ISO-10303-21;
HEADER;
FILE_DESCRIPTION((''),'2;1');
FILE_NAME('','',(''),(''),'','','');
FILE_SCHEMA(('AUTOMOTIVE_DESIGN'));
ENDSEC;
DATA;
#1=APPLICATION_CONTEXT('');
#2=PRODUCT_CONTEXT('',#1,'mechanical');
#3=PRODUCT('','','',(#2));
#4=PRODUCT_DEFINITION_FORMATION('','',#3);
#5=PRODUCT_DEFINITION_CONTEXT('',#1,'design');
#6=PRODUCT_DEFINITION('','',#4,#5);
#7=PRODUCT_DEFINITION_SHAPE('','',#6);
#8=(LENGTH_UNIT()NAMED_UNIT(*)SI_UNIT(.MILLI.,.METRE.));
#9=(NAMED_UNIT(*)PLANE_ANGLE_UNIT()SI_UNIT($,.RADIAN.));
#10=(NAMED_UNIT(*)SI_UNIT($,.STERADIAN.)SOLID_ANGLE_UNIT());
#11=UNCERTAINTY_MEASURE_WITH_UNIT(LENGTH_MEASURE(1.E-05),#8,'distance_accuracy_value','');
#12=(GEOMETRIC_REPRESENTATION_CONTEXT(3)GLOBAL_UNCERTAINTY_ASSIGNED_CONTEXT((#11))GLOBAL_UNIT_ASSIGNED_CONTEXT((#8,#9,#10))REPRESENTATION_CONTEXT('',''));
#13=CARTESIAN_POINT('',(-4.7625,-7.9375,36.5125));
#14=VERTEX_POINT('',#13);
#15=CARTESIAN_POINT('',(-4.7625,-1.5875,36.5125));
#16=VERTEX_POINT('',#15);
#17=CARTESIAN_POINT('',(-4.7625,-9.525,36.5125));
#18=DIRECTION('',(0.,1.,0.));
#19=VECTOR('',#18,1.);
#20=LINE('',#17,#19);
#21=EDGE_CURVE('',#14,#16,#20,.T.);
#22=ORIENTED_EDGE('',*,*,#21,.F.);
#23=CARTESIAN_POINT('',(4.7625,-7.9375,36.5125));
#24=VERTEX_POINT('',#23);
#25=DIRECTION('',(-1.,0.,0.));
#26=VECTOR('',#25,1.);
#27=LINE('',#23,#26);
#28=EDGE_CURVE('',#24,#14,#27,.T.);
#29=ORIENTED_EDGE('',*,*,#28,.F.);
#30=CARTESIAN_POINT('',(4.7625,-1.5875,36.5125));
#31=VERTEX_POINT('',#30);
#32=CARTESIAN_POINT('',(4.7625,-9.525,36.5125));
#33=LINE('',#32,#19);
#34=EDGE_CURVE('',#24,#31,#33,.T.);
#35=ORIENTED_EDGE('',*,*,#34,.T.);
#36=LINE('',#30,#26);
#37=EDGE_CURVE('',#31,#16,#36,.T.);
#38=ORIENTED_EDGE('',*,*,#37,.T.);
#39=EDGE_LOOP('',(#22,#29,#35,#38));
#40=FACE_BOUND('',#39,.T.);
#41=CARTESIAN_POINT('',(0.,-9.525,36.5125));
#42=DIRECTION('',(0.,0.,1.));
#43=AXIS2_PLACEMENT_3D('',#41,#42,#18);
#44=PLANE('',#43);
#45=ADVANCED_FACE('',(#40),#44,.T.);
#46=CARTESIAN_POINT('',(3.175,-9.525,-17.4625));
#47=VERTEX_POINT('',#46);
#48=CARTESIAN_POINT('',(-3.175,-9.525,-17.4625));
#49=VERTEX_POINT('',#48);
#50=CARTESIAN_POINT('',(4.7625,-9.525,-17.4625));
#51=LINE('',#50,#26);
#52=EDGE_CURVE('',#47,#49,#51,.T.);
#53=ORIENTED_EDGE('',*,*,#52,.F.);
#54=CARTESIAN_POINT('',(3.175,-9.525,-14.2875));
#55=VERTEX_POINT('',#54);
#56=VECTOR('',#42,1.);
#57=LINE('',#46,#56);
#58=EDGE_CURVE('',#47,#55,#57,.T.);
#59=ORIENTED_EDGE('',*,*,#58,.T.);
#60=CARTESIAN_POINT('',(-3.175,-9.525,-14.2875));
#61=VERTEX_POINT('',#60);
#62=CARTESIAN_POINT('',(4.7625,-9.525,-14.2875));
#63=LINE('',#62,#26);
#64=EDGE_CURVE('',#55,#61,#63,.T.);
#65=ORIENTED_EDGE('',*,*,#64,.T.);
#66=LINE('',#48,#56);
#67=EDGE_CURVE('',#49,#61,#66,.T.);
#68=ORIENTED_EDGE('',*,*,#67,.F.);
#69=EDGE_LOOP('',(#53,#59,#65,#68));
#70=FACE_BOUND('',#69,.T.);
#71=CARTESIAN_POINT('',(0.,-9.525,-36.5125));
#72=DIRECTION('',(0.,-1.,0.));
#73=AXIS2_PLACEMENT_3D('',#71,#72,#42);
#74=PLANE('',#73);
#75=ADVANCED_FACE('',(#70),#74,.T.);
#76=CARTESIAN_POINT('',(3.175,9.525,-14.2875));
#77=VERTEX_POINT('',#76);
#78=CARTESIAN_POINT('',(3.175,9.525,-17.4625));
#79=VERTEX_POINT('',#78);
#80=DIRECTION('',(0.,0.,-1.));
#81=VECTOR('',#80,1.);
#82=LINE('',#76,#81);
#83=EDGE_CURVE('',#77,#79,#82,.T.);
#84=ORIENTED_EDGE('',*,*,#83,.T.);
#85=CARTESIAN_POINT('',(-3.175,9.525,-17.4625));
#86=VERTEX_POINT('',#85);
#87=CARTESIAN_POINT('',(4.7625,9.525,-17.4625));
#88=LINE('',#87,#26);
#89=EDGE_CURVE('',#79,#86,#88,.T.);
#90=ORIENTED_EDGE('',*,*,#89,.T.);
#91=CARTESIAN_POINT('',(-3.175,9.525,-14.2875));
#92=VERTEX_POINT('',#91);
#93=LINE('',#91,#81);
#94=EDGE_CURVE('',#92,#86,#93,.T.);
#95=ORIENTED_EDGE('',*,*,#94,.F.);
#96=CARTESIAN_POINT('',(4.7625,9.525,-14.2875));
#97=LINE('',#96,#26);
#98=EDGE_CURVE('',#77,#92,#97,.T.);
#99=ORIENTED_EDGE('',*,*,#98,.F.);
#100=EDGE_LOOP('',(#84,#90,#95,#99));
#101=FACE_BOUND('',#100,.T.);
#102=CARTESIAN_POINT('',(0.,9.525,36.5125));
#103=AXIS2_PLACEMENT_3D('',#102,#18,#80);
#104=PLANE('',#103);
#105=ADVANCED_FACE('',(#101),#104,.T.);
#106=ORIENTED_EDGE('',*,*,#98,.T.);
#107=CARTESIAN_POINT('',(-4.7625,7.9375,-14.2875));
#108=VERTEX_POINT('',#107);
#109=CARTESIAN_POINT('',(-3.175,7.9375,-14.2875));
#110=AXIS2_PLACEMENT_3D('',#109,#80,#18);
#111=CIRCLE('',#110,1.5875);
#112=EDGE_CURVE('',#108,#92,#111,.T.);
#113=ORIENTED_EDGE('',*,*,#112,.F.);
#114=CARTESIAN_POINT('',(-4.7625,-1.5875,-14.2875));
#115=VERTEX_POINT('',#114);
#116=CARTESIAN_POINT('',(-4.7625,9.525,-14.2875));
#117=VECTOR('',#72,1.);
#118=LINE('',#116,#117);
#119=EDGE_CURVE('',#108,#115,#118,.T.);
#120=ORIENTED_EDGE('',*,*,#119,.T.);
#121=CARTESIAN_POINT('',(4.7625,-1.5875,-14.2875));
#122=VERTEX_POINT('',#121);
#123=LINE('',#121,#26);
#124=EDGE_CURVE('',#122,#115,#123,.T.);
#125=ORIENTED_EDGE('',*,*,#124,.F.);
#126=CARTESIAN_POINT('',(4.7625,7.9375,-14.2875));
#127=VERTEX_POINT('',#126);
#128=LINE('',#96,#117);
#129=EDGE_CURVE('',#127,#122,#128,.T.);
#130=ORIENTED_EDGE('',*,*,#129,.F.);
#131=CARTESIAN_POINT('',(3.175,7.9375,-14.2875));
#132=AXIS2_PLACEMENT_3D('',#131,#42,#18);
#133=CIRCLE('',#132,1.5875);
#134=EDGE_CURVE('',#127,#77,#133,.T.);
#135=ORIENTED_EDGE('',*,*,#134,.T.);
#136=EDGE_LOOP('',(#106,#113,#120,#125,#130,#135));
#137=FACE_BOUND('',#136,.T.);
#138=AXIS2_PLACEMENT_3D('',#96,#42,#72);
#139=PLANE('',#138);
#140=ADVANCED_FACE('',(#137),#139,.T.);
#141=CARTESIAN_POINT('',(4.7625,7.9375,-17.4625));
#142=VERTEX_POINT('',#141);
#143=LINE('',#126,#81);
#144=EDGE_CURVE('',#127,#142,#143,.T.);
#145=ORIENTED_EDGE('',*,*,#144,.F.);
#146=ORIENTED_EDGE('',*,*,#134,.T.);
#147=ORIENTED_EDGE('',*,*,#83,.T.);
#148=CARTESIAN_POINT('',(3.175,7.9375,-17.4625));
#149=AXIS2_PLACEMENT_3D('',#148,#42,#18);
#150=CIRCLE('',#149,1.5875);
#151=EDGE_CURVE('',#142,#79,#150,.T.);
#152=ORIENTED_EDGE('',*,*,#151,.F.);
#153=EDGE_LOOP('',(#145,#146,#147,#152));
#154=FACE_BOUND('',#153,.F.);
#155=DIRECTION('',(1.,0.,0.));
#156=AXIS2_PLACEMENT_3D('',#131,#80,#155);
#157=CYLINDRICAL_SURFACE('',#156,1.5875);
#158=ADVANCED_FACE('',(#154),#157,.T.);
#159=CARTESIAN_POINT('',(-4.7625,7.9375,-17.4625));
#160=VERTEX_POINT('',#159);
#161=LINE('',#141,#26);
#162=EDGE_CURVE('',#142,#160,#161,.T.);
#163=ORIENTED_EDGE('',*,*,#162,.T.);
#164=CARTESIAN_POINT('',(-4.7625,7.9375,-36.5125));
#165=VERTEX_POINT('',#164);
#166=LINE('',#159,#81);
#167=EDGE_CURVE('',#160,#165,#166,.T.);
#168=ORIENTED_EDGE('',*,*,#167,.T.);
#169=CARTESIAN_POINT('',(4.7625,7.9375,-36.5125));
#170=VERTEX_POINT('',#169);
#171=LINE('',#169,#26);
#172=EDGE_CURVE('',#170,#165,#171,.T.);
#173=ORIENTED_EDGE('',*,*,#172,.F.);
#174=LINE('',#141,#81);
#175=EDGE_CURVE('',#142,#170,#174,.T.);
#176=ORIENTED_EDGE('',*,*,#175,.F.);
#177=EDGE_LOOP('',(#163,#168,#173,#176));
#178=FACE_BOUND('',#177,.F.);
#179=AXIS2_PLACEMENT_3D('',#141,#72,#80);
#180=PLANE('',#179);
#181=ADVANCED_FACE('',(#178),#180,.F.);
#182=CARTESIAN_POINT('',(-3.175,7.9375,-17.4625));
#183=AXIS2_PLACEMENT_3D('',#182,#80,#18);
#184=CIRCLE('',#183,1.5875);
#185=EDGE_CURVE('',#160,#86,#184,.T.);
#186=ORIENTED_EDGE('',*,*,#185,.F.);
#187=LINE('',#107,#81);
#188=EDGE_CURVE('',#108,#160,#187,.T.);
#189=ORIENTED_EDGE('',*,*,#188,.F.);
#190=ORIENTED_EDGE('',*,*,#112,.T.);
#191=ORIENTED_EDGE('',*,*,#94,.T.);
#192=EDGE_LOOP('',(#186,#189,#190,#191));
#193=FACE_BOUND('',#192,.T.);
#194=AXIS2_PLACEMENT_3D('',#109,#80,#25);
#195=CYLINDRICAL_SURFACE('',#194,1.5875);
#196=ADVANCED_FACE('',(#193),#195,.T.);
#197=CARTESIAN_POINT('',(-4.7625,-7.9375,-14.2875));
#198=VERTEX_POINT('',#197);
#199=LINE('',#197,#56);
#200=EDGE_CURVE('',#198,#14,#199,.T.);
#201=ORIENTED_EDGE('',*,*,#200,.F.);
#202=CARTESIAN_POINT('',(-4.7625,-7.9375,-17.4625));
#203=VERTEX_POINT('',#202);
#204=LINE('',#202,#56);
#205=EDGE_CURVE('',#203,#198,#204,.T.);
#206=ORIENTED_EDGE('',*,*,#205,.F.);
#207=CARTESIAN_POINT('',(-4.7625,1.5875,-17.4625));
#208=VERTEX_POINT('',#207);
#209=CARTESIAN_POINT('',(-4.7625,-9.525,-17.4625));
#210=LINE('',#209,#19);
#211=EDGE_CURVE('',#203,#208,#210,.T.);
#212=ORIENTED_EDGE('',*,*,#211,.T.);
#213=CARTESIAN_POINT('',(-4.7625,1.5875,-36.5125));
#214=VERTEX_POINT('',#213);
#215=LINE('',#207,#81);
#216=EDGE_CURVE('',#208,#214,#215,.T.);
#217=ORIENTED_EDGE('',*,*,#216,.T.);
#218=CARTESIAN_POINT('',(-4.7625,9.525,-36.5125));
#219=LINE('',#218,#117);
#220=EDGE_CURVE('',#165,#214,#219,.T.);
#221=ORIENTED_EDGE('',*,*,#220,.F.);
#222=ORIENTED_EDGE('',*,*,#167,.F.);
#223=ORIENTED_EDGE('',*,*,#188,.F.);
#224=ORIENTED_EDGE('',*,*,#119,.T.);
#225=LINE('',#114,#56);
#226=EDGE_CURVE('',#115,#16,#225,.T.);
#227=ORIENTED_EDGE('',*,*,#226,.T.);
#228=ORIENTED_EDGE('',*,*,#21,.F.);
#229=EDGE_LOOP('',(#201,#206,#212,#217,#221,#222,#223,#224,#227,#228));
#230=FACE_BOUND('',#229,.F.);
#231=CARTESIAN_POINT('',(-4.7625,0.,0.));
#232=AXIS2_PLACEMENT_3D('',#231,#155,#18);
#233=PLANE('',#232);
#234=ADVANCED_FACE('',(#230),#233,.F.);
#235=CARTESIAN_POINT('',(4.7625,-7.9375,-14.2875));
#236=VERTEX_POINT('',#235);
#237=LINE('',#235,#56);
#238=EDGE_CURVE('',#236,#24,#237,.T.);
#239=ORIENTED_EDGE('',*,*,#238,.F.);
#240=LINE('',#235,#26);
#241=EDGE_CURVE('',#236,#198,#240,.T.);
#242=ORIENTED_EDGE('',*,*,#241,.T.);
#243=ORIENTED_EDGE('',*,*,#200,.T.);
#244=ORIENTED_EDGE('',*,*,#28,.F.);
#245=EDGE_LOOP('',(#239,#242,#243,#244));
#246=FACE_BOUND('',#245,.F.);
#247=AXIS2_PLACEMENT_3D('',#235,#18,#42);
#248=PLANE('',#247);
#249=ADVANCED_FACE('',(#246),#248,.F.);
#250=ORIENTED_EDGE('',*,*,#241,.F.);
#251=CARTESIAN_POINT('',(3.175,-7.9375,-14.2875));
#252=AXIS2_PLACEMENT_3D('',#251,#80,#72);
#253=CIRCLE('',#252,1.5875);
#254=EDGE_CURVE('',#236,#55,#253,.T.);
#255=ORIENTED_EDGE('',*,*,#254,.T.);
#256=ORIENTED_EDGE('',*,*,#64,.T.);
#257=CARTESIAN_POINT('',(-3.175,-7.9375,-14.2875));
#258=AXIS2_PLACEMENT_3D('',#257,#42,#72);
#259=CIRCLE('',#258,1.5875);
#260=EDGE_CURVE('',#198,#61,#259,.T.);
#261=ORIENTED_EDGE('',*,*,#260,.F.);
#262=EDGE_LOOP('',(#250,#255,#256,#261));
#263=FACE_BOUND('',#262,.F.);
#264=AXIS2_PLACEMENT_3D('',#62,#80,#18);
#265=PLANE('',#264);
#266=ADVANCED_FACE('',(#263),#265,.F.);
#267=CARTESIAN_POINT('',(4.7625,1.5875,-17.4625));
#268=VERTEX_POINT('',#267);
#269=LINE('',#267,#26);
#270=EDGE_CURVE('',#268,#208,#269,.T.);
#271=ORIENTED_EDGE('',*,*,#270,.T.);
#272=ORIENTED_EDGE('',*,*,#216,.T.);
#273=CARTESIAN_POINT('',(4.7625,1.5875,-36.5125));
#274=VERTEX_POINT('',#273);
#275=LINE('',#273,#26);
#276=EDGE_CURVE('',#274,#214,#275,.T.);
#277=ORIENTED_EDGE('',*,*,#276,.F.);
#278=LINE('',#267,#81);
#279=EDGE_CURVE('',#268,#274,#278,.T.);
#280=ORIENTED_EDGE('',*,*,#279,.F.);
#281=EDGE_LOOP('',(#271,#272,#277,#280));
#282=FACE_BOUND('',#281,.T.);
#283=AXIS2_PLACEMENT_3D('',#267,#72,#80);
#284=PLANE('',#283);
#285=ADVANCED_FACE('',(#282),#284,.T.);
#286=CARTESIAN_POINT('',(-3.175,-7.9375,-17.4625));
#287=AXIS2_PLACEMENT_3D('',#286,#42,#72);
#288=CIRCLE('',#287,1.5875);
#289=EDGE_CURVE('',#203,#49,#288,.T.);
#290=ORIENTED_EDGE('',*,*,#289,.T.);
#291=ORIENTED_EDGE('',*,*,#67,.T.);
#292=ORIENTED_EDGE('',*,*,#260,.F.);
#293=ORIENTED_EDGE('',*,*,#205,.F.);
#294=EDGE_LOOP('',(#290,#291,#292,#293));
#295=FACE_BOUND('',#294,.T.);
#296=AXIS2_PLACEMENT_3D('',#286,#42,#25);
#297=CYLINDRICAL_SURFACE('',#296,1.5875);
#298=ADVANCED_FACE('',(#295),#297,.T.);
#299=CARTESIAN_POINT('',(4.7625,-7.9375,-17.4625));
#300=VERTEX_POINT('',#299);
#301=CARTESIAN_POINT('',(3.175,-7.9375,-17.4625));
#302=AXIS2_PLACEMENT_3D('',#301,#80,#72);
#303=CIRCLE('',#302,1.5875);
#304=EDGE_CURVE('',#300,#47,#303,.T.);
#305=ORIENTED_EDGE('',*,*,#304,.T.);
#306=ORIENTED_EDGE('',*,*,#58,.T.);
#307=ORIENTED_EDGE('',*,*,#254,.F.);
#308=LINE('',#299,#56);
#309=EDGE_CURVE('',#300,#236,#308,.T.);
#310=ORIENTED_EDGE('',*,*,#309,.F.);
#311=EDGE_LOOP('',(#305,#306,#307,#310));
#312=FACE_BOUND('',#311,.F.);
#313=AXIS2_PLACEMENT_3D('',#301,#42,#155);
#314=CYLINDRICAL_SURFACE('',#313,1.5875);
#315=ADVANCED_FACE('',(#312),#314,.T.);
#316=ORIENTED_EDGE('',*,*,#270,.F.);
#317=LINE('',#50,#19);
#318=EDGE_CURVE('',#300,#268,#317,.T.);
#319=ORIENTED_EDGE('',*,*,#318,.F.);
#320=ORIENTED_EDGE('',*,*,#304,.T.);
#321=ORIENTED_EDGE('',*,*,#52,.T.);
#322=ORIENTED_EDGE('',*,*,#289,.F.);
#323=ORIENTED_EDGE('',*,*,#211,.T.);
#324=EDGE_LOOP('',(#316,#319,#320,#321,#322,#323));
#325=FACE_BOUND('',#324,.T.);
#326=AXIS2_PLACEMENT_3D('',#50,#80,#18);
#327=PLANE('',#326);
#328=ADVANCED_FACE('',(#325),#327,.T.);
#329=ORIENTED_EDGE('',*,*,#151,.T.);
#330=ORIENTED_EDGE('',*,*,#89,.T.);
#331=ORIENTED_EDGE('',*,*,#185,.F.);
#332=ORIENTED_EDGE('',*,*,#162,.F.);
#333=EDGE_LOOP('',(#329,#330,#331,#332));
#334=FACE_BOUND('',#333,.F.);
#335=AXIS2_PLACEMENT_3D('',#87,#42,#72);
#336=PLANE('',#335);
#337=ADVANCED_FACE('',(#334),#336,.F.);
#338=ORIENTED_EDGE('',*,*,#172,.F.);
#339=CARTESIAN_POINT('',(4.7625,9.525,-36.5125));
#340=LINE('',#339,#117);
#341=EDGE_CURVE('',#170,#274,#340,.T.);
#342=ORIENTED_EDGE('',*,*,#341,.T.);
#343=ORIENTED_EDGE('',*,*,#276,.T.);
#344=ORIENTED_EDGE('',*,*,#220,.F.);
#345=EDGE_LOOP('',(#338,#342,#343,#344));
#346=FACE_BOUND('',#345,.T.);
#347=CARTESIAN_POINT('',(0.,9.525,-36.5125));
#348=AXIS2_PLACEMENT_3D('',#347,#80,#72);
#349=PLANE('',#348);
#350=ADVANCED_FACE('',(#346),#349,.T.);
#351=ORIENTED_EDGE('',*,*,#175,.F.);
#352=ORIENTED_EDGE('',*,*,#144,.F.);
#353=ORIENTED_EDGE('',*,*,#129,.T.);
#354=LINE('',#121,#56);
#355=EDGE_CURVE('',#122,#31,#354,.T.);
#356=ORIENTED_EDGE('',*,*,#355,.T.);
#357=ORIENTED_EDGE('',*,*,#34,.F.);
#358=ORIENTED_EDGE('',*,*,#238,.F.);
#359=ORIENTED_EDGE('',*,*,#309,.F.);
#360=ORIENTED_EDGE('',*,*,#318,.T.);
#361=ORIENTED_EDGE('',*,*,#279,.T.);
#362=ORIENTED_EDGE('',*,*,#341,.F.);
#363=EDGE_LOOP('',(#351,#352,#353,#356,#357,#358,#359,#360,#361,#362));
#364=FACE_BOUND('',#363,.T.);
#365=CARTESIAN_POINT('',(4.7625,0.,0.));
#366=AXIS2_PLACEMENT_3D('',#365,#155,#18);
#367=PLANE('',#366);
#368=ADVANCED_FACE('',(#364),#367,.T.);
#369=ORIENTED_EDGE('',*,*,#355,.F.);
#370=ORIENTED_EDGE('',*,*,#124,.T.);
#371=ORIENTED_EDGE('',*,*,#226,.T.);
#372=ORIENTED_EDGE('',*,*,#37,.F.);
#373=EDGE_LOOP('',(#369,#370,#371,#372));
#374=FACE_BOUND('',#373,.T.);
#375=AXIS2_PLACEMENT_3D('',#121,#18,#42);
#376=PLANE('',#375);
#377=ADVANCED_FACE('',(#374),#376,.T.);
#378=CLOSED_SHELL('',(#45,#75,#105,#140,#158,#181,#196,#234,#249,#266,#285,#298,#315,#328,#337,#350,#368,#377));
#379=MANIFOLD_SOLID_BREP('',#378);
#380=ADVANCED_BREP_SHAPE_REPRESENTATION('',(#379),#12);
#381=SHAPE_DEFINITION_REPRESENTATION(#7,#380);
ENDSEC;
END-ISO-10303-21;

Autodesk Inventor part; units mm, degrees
ref_plane "YZ Plane" through (0, 0, 0) normal (1, 0, 0) x (0, 1, 0)
ref_plane "XZ Plane" through (0, 0, 0) normal (0, 1, 0) x (-1, 0, 0)
ref_plane "XY Plane" through (0, 0, 0) normal (0, 0, 1) x (1, 0, 0)
sketch "Sketch1" plane through (0, 0, 0) normal (1, 0, 0) x (0, 1, 0)
  line L0 (-9.525, 36.5125) -> (9.525, 36.5125)
  line L1 (9.525, 36.5125) -> (9.525, -36.5125)
  line L2 (9.525, -36.5125) -> (-9.525, -36.5125)
  line L3 (-9.525, -36.5125) -> (-9.525, 36.5125)
  line L4 (-9.525, 36.5125) -> (9.525, -36.5125) construction
  line L5 (9.525, 36.5125) -> (-9.525, -36.5125) construction
  point P0 (0, 0)
  dimension "d0" = 19.05
  dimension "d1" = 73.025
extrude "Extrusion1" add sketch "Sketch1" along normal mid plane 9.525
sketch "Sketch2" plane through (4.7625, 0, 0) normal (1, 0, 0) x (0, 0, -1)
  line L0 (-36.5125, 9.525) -> (-36.5125, -9.525) projected
  line L1 (-36.5125, 9.525) -> (14.2875, 9.525)
  line L2 (14.2875, 9.525) -> (14.2875, -1.5875)
  line L3 (14.2875, -1.5875) -> (-36.5125, -1.5875)
  line L4 (-36.5125, -1.5875) -> (-36.5125, 9.525)
  line L5 (-36.5125, -9.525) -> (36.5125, -9.525) projected
  point P0 (0, 0)
  dimension "d4" = 50.8
  dimension "d6" = 7.9375
extrude "Extrusion2" cut sketch "Sketch2" against normal blind 9.525
sketch "Sketch3" plane through (4.7625, 0, 0) normal (1, 0, 0) x (0, 0, -1)
  line L0 (36.5125, -9.525) -> (-36.5125, -9.525) projected
  line L1 (36.5125, -9.525) -> (17.4625, -9.525)
  line L2 (17.4625, -9.525) -> (17.4625, 1.5875)
  line L3 (17.4625, 1.5875) -> (36.5125, 1.5875)
  line L4 (36.5125, 1.5875) -> (36.5125, -9.525)
  line L5 (14.2875, 9.525) -> (14.2875, -1.5875) projected
  line L6 (36.5125, 9.525) -> (14.2875, 9.525) projected
  point P0 (0, 0)
  dimension "d9" = 3.175
  dimension "d10" = 7.9375
extrude "Extrusion3" cut sketch "Sketch3" against normal blind 9.525
sketch "Sketch4" plane through (4.7625, 0, 0) normal (1, 0, 0) x (0, 0, -1)
  line L0 (-36.5125, -1.5875) -> (-36.5125, -9.525) projected
  line L1 (-36.5125, -9.525) -> (14.2875, -9.525)
  line L2 (14.2875, -9.525) -> (14.2875, -7.9375)
  line L3 (14.2875, -7.9375) -> (-36.5125, -7.9375)
  line L4 (-36.5125, -7.9375) -> (-36.5125, -9.525)
  point P0 (0, 0)
  dimension "d13" = 50.8
  dimension "d14" = 1.5875
extrude "Extrusion4" cut sketch "Sketch4" against normal blind 9.525
sketch "Sketch5" plane through (4.7625, 0, 0) normal (1, 0, 0) x (0, 0, -1)
  line L0 (36.5125, 9.525) -> (36.5125, 1.5875) projected
  line L1 (36.5125, 9.525) -> (17.4625, 9.525)
  line L2 (17.4625, 9.525) -> (17.4625, 7.9375)
  line L3 (17.4625, 7.9375) -> (36.5125, 7.9375)
  line L4 (36.5125, 7.9375) -> (36.5125, 9.525)
  point P0 (0, 0)
  dimension "d17" = 19.05
  dimension "d18" = 1.5875
extrude "Extrusion5" cut sketch "Sketch5" against normal blind 9.525
fillet "Fillet1" radius 1.5875 4 edges at (4.7625, 9.525, -15.875) (-4.7625, 9.525, -15.875) (4.7625, -9.525, -15.875) (-4.7625, -9.525, -15.875)
properties part number "CrankShaft Mill"
